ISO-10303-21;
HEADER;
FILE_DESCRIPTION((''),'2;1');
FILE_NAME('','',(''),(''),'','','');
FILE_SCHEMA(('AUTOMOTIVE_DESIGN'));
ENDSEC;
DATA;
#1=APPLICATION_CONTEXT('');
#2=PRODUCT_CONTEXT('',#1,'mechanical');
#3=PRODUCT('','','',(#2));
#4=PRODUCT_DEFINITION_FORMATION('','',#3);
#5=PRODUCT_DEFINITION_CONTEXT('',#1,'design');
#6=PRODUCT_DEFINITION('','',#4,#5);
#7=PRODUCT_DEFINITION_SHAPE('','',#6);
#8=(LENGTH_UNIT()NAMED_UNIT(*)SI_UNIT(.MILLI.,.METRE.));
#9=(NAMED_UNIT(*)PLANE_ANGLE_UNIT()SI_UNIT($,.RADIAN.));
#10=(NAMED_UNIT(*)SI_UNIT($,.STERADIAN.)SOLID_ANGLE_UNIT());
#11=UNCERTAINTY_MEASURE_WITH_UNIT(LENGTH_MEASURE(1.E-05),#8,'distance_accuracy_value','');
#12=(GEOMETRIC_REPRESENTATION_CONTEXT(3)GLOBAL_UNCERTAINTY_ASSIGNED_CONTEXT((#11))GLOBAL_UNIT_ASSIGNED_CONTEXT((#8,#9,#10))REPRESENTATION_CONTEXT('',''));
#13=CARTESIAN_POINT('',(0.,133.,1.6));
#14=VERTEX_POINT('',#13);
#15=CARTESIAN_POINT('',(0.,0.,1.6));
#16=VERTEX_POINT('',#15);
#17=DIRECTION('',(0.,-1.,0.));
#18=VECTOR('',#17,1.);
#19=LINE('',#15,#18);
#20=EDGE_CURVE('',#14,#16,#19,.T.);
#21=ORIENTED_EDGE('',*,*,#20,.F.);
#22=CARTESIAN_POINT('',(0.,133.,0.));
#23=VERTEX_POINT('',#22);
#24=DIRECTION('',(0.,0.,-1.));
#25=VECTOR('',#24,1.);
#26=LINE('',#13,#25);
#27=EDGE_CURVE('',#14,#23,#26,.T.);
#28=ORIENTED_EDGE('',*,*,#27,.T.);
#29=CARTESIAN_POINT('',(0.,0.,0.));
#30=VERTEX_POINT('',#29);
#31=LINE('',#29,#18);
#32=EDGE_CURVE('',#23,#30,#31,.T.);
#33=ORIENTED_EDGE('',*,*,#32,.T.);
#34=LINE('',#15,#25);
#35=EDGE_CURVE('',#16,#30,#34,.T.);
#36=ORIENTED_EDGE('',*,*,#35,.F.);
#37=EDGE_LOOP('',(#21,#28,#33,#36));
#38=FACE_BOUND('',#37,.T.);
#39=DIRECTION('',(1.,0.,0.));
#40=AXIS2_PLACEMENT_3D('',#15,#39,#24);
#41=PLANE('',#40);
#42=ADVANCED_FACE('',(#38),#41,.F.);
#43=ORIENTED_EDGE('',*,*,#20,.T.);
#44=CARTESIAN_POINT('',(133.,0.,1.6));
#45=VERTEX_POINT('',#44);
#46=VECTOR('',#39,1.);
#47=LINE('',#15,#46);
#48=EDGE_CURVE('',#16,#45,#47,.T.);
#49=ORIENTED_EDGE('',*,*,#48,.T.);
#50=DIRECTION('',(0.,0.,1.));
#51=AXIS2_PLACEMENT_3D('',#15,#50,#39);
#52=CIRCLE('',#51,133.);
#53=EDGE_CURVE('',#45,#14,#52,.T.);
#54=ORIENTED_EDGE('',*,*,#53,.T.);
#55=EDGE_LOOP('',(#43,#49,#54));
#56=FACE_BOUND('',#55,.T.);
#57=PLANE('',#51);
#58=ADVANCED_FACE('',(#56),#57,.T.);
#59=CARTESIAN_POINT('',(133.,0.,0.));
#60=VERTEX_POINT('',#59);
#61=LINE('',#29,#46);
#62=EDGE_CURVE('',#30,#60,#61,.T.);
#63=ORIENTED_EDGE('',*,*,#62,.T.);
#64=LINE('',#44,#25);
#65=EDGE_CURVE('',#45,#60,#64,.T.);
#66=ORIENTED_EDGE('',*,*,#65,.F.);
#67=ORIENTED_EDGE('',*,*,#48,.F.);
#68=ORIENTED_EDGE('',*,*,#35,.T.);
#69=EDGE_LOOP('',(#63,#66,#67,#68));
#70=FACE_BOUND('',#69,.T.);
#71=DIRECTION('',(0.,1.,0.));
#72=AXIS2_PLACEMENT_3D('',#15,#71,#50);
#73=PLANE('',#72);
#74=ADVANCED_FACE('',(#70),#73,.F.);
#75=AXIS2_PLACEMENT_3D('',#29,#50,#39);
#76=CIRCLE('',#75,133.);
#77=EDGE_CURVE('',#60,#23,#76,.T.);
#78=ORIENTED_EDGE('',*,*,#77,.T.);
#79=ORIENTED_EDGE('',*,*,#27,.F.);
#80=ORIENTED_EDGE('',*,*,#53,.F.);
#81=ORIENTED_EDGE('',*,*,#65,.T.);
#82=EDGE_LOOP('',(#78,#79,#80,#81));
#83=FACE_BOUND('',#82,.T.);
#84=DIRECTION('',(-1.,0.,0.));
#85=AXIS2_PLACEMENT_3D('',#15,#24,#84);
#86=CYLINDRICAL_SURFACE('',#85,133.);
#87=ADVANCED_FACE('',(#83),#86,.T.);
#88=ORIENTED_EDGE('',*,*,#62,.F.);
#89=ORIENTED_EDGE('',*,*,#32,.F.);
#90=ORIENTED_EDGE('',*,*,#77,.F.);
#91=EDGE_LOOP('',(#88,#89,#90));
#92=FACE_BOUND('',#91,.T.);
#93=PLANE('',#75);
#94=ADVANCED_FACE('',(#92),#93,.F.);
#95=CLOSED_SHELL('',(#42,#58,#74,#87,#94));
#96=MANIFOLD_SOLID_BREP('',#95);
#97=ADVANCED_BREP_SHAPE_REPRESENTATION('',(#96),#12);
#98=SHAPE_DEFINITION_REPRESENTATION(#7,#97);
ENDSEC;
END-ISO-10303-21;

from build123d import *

# Parameters (mm, degrees)
BOSS_EXTRUDE1_DEPTH = 1.6


with BuildPart() as part:
    # Sketch1 → Boss-Extrude1 (new body)
    with BuildSketch(Plane.XY):
        with BuildLine():
            Line((0, 0), (0, 133))
            ThreePointArc((0, 133), (94.045201898, 94.045201898), (133, 0))
            Line((133, 0), (0, 0))
        make_face()
    extrude(amount=BOSS_EXTRUDE1_DEPTH)


solid = part.part
